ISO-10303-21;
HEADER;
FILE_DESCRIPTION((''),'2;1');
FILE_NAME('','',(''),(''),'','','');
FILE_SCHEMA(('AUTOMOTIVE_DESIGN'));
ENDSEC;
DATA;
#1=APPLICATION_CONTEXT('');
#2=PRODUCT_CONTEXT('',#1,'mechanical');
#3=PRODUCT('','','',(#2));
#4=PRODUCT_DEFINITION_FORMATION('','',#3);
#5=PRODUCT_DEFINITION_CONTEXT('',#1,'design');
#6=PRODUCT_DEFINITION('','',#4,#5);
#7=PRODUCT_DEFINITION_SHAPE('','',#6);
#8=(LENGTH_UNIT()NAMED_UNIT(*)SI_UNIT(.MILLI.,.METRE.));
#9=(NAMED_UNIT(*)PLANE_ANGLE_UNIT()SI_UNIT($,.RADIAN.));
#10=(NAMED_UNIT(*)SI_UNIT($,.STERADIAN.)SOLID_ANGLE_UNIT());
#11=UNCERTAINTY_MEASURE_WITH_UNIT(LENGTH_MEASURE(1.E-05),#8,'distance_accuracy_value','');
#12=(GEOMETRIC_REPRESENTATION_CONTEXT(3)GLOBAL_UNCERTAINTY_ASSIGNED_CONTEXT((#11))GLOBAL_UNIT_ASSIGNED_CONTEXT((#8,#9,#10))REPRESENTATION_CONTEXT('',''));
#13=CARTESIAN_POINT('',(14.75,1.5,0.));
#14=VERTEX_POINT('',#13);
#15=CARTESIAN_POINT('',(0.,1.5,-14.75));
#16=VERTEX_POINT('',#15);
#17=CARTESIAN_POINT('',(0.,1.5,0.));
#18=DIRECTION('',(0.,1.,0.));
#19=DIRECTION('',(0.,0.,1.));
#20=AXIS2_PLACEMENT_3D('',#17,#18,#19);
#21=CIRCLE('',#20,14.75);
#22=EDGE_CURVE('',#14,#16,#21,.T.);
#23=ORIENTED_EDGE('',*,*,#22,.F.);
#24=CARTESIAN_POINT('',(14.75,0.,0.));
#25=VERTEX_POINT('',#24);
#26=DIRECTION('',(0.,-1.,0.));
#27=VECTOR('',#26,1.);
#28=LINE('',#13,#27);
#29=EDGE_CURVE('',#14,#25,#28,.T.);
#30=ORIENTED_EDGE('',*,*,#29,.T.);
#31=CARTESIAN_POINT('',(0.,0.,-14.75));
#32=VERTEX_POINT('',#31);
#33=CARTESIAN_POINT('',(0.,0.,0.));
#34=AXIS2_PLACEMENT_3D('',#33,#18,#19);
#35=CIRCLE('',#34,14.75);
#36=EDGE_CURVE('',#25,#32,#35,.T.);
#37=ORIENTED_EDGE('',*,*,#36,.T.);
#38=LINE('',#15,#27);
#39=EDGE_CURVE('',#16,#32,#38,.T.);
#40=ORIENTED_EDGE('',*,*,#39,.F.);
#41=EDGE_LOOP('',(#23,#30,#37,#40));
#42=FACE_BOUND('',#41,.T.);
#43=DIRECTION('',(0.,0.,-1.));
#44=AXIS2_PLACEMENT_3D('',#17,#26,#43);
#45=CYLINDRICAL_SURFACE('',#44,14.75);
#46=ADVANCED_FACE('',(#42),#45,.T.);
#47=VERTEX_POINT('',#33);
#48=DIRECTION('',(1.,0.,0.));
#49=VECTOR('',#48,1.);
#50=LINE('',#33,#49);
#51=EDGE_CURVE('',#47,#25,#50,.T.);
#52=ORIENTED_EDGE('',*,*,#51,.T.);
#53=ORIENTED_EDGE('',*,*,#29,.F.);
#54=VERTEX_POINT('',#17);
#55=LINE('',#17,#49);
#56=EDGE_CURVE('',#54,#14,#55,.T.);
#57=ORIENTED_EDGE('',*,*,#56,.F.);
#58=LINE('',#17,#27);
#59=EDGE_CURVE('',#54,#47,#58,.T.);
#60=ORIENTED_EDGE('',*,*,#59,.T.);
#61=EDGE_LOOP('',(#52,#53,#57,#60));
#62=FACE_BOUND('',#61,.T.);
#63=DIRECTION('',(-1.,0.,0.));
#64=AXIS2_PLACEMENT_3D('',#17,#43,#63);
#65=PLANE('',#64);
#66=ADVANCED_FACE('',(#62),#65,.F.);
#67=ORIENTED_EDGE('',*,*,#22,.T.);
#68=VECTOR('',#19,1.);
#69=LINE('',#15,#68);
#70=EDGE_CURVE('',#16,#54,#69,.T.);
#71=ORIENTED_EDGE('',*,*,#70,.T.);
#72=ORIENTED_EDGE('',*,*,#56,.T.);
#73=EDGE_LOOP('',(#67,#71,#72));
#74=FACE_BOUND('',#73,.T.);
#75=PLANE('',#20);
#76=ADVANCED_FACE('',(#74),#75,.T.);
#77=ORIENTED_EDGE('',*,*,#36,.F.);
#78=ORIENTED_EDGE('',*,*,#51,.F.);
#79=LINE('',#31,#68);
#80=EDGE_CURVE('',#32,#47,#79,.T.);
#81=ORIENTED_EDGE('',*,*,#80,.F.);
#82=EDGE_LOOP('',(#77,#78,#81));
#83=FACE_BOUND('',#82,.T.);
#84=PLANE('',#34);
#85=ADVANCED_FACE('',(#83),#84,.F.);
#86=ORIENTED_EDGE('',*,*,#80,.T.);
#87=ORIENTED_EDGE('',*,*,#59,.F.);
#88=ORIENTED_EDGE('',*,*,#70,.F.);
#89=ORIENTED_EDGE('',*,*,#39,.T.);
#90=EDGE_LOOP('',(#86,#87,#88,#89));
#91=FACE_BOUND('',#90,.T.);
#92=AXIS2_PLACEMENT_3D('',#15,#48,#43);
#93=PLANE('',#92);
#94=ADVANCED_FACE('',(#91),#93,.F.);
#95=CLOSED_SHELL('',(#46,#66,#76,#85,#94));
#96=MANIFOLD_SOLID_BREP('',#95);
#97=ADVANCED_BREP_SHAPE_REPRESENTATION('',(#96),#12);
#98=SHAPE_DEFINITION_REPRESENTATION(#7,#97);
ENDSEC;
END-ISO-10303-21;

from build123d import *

# Parameters (mm, degrees)
BOSS_EXTRUDE1_DEPTH = 1.5


with BuildPart() as part:
    # Sketch1 → Boss-Extrude1 (new body)
    with BuildSketch(Plane(origin=(0, 0, 0), x_dir=(1, 0, 0), z_dir=(0, 1, 0))):
        with BuildLine():
            Line((0, 0), (14.75, 0))
            ThreePointArc((14.75, 0), (10.429825023, 10.429825023), (0, 14.75))
            Line((0, 14.75), (0, 0))
        make_face()
    extrude(amount=BOSS_EXTRUDE1_DEPTH)


solid = part.part
